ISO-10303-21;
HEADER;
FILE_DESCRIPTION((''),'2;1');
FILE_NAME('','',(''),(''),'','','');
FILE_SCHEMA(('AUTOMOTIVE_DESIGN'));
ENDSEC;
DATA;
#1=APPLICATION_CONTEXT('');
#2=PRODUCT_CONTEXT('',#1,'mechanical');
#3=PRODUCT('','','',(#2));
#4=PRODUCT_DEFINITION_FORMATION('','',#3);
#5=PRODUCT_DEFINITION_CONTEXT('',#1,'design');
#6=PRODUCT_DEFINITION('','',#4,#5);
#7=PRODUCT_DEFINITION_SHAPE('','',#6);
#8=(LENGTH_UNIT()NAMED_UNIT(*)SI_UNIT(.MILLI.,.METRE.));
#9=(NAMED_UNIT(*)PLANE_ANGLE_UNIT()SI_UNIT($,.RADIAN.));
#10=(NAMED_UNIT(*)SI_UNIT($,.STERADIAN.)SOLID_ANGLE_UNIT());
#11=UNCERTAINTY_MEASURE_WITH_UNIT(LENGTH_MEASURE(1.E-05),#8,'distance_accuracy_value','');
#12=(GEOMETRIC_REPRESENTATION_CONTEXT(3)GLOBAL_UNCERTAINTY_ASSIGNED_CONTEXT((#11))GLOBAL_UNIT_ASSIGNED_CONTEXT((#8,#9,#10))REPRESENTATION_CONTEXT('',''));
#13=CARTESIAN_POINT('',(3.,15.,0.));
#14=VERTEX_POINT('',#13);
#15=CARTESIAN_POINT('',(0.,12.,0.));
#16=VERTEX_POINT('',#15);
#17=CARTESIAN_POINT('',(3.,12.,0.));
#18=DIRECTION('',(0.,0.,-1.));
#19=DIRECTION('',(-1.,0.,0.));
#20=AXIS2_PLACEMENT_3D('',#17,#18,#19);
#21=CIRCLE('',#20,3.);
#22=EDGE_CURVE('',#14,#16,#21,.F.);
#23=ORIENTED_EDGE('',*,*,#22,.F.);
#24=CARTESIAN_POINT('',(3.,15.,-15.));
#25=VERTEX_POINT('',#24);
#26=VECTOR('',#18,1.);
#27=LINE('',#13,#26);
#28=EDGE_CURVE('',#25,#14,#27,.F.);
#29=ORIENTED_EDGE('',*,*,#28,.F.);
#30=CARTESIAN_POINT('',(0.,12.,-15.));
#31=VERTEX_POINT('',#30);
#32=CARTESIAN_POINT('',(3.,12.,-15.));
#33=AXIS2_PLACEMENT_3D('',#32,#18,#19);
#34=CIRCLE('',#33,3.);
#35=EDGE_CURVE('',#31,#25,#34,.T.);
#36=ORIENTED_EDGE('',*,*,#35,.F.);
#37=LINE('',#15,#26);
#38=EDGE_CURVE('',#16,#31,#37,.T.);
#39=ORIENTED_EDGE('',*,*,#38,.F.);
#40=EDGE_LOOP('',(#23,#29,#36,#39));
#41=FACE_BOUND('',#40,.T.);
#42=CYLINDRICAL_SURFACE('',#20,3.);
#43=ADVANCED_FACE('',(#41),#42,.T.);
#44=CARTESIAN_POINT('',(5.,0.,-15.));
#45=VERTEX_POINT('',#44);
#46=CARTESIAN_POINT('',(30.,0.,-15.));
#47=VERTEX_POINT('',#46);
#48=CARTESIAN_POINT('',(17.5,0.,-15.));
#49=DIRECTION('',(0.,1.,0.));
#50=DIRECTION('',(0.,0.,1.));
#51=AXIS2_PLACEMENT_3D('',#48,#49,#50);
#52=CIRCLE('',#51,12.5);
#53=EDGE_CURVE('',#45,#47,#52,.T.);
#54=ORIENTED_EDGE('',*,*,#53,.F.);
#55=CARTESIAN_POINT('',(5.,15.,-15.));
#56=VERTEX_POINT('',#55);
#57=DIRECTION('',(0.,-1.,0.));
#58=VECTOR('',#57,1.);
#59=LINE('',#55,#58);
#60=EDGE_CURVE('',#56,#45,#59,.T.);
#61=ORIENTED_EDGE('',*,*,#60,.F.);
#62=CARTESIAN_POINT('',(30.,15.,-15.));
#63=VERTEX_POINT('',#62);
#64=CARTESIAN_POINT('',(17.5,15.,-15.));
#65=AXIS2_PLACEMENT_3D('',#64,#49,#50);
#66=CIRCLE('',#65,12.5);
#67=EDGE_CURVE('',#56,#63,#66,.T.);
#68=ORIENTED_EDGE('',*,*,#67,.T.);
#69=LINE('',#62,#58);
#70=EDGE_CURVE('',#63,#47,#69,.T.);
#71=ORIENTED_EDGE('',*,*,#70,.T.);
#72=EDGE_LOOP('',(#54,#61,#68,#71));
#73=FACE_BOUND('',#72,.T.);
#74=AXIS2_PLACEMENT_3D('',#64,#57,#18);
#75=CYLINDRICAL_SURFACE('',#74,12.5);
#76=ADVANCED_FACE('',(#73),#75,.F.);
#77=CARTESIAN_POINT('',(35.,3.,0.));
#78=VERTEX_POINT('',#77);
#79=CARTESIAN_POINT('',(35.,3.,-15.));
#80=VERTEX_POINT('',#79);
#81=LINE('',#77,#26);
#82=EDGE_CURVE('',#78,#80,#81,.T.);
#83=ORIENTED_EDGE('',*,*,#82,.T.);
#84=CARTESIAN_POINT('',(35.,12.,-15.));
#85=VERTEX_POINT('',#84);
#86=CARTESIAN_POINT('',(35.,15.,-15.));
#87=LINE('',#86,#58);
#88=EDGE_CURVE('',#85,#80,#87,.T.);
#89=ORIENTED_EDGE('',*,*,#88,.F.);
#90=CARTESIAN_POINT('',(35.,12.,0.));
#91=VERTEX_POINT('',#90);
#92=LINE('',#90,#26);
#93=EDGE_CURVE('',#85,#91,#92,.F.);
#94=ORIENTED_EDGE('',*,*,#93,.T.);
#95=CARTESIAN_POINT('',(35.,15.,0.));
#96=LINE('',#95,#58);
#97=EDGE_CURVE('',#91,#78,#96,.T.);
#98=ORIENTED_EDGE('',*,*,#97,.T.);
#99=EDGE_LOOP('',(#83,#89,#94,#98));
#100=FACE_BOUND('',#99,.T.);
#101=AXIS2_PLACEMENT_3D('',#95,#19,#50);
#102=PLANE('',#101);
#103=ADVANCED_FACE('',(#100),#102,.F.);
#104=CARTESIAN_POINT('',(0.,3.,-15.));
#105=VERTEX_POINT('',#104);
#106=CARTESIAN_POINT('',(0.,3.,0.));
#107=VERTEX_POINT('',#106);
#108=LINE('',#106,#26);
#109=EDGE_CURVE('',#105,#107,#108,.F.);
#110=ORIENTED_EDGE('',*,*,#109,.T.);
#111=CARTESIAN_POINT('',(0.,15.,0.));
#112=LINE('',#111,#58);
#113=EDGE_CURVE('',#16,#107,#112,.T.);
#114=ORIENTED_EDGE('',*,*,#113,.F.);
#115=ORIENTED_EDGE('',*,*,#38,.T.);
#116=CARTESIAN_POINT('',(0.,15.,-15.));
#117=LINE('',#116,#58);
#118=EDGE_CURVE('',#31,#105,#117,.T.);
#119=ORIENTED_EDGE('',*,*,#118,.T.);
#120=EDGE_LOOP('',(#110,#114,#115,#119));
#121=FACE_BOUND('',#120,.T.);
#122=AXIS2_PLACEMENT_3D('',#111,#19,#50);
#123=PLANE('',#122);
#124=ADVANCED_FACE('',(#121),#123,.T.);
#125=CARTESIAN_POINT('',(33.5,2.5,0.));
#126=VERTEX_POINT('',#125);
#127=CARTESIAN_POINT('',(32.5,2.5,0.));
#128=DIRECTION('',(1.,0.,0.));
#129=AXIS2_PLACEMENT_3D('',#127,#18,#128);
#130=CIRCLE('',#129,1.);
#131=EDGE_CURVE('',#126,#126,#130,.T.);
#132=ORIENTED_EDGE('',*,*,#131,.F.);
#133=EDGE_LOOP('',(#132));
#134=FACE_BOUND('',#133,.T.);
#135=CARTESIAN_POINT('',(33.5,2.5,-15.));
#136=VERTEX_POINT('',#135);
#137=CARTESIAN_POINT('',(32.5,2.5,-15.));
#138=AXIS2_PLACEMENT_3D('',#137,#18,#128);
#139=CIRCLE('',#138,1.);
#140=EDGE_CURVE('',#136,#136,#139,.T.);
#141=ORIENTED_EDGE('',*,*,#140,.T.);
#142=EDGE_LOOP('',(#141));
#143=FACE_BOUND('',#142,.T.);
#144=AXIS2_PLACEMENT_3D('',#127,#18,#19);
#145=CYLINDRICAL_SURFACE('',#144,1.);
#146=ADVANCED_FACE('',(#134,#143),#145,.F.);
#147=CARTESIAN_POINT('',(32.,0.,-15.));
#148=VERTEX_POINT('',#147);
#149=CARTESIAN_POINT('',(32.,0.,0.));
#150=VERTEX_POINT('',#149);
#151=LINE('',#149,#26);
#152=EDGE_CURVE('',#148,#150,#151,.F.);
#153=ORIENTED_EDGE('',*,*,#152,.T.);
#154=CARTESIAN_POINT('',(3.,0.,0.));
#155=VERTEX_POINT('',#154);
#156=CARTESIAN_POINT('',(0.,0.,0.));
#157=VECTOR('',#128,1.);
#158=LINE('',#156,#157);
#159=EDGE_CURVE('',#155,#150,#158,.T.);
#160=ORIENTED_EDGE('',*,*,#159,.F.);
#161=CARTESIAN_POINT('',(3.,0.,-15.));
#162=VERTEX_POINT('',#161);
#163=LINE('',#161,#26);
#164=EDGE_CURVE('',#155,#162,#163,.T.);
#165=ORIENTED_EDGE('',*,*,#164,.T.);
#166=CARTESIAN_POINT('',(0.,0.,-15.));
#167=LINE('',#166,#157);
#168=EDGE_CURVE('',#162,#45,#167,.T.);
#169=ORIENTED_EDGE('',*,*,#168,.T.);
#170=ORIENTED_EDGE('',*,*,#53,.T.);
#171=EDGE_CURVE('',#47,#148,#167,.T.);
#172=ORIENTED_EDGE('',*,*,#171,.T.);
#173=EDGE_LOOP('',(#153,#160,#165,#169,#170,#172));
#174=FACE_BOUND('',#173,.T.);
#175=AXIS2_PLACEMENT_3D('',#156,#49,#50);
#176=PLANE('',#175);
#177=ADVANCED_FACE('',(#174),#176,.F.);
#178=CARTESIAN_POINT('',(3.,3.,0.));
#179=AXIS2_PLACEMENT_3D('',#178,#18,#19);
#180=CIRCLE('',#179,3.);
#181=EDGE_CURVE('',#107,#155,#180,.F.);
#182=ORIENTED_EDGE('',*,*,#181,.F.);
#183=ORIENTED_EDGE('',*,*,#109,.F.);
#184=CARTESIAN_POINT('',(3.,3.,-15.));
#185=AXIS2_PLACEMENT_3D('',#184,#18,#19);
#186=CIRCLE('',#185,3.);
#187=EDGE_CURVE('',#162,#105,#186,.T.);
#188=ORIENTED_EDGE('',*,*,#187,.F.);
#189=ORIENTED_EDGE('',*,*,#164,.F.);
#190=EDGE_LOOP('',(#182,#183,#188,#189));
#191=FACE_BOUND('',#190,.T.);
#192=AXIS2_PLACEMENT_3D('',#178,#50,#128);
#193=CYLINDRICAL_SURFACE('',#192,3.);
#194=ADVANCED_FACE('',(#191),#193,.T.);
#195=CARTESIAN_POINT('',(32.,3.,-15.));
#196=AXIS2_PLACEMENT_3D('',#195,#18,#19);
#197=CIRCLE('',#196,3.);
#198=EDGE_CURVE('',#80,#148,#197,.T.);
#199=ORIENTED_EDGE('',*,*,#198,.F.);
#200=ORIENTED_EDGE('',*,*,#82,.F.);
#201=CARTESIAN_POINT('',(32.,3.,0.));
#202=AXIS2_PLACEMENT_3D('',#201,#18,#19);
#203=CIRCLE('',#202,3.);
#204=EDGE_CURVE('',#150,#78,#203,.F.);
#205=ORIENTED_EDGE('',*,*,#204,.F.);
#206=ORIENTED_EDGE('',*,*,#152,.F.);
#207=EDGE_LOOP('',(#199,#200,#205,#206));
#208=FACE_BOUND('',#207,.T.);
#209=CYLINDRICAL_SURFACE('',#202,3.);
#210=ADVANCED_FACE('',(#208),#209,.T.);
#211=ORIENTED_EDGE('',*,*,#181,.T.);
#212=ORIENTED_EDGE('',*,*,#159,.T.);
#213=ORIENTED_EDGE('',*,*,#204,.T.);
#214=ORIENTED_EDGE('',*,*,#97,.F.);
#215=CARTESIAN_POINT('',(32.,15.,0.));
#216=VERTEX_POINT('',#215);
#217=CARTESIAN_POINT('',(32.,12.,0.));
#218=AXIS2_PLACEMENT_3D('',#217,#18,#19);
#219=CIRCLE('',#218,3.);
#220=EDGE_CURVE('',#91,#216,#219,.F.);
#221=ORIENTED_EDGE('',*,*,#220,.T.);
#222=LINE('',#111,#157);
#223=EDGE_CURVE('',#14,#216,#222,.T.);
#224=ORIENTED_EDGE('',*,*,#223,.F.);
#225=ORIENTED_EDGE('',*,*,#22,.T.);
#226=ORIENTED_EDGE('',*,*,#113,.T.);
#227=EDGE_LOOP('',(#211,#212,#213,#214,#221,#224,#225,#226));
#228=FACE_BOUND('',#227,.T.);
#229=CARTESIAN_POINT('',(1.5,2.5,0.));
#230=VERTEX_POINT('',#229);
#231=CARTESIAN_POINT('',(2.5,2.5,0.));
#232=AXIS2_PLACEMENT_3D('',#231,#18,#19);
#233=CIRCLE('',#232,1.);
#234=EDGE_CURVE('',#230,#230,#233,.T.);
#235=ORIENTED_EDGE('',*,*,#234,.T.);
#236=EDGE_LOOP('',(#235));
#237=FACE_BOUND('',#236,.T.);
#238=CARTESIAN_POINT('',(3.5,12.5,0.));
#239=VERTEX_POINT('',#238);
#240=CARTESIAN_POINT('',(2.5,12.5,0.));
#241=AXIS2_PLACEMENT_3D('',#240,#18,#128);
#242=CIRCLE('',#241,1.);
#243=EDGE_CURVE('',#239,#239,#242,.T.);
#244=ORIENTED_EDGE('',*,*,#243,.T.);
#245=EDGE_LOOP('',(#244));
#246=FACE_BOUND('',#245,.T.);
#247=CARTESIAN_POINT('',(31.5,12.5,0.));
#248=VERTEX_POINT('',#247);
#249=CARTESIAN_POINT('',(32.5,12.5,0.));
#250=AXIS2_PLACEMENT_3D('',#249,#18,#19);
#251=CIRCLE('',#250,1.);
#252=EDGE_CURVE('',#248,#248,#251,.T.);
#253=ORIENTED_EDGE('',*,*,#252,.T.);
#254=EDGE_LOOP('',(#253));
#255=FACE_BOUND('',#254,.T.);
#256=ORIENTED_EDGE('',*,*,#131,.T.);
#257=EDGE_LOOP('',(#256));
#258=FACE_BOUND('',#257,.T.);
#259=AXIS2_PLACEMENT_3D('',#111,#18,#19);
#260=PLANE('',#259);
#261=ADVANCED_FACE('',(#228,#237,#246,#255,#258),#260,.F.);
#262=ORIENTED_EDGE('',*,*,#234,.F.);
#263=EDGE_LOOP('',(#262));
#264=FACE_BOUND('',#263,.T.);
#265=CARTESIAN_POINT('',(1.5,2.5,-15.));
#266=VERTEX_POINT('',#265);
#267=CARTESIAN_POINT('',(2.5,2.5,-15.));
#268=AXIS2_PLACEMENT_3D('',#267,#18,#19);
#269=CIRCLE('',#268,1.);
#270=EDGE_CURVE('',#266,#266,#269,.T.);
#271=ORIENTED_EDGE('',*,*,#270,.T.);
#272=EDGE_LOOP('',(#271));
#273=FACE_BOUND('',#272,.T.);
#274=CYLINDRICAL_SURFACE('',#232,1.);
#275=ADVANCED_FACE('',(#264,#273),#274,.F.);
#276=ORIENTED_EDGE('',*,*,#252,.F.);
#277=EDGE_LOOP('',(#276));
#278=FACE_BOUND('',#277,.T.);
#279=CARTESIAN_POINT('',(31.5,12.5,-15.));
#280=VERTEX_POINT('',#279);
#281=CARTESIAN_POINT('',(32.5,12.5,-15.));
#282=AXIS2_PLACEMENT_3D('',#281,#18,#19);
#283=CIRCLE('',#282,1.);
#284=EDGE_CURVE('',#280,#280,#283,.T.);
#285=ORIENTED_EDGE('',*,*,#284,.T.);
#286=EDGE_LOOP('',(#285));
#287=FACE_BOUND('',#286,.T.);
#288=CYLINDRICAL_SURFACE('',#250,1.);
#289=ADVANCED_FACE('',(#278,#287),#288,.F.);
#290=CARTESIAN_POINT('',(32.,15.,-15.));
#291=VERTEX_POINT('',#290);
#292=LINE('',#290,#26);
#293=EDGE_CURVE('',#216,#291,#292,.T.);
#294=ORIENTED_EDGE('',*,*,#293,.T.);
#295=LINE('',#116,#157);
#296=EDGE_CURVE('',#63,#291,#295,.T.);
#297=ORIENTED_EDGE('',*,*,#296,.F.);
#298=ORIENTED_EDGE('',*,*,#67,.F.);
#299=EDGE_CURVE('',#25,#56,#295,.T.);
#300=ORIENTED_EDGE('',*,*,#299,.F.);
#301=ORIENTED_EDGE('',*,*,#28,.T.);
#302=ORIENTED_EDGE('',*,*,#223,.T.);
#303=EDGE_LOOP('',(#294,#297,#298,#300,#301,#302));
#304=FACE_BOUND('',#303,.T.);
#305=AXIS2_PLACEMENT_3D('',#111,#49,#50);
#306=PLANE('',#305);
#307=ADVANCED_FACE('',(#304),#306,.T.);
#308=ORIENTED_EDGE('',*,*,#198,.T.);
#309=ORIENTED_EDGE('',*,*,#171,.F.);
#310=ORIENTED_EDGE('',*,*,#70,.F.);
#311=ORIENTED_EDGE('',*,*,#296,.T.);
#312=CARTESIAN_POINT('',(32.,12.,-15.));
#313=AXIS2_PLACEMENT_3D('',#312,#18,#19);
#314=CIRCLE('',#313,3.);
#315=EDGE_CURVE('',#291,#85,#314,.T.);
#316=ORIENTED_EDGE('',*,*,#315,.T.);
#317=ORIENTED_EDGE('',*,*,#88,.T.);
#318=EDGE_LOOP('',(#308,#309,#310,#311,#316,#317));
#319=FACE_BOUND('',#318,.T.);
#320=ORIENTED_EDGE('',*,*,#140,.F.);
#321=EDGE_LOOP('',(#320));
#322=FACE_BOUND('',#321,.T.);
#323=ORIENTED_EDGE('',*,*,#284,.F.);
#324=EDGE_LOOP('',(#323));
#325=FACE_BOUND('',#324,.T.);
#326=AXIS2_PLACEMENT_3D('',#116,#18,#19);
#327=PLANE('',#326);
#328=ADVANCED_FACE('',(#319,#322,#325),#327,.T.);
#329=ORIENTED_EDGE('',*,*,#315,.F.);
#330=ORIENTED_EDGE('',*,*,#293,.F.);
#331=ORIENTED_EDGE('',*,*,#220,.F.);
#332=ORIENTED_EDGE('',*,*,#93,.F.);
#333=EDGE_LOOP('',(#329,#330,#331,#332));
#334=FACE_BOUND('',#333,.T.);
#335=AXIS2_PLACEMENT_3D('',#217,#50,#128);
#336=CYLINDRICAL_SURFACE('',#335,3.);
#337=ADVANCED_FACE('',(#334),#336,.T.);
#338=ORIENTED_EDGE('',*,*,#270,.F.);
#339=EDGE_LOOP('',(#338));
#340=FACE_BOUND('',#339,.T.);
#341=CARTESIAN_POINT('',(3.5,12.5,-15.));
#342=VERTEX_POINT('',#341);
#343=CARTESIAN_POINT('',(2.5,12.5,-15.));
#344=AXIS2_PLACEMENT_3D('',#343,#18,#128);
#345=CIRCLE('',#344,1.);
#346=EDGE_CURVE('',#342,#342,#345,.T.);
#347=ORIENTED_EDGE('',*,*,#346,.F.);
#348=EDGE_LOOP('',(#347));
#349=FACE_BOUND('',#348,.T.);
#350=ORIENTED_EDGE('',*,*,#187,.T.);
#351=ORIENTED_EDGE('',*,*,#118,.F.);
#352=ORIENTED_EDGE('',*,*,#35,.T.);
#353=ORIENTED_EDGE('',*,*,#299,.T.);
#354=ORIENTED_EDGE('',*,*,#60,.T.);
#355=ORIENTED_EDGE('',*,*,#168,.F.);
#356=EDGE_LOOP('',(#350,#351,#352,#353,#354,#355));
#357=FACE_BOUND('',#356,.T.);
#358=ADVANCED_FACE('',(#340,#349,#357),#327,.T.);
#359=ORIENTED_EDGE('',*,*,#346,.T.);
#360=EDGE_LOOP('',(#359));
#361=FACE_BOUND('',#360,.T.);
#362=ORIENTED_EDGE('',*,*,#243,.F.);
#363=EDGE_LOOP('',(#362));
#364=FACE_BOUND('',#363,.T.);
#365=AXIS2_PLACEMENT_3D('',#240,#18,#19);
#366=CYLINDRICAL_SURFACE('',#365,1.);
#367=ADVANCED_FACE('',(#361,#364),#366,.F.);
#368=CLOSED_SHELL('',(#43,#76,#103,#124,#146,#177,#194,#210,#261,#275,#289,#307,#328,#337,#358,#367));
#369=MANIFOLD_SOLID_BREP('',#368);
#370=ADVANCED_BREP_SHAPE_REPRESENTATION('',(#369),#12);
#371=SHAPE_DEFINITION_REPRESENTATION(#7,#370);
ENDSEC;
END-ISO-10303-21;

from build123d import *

# Parameters (mm, degrees)
RESSALTO_EXTRUS_O1_DEPTH = 15
ESBO_O2_R                = 1
CORTE_EXTRUS_O1_DEPTH    = 41.926763859
FILETE1_R                = 3


with BuildPart() as part:
    # Esboço1 → Ressalto-extrusão1 (new body)
    with BuildSketch(Plane(origin=(0, 0, 0), x_dir=(1, 0, 0), z_dir=(0, 1, 0))):
        with BuildLine():
            Line((0, 15), (0, 0))
            Line((0, 0), (35, 0))
            Line((35, 0), (35, 15))
            Line((35, 15), (30, 15))
            ThreePointArc((30, 15), (17.5, 2.5), (5, 15))
            Line((5, 15), (0, 15))
        make_face()
    extrude(amount=RESSALTO_EXTRUS_O1_DEPTH)

    # Esboço2 → Corte-extrusão1 (cut, through all)
    with BuildSketch(Plane(origin=(0, 0, -15), x_dir=(-1, 0, 0), z_dir=(0, 0, -1))):
        with Locations((-32.5, 12.5)):
            Circle(ESBO_O2_R)
        with Locations((-32.5, 2.5)):
            Circle(ESBO_O2_R)
        with Locations((-2.5, 2.5)):
            Circle(ESBO_O2_R)
        with Locations((-2.5, 12.5)):
            Circle(ESBO_O2_R)
    extrude(amount=-CORTE_EXTRUS_O1_DEPTH, mode=Mode.SUBTRACT)

    # Filete1
    filete1_edges = [part.edges().sort_by_distance(p)[0] for p in [
        (0, 15, -7.5),
        (35, 15, -7.5),
        (0, 0, -7.5),
        (35, 0, -7.5),
    ]]
    fillet(filete1_edges, radius=FILETE1_R)


solid = part.part
